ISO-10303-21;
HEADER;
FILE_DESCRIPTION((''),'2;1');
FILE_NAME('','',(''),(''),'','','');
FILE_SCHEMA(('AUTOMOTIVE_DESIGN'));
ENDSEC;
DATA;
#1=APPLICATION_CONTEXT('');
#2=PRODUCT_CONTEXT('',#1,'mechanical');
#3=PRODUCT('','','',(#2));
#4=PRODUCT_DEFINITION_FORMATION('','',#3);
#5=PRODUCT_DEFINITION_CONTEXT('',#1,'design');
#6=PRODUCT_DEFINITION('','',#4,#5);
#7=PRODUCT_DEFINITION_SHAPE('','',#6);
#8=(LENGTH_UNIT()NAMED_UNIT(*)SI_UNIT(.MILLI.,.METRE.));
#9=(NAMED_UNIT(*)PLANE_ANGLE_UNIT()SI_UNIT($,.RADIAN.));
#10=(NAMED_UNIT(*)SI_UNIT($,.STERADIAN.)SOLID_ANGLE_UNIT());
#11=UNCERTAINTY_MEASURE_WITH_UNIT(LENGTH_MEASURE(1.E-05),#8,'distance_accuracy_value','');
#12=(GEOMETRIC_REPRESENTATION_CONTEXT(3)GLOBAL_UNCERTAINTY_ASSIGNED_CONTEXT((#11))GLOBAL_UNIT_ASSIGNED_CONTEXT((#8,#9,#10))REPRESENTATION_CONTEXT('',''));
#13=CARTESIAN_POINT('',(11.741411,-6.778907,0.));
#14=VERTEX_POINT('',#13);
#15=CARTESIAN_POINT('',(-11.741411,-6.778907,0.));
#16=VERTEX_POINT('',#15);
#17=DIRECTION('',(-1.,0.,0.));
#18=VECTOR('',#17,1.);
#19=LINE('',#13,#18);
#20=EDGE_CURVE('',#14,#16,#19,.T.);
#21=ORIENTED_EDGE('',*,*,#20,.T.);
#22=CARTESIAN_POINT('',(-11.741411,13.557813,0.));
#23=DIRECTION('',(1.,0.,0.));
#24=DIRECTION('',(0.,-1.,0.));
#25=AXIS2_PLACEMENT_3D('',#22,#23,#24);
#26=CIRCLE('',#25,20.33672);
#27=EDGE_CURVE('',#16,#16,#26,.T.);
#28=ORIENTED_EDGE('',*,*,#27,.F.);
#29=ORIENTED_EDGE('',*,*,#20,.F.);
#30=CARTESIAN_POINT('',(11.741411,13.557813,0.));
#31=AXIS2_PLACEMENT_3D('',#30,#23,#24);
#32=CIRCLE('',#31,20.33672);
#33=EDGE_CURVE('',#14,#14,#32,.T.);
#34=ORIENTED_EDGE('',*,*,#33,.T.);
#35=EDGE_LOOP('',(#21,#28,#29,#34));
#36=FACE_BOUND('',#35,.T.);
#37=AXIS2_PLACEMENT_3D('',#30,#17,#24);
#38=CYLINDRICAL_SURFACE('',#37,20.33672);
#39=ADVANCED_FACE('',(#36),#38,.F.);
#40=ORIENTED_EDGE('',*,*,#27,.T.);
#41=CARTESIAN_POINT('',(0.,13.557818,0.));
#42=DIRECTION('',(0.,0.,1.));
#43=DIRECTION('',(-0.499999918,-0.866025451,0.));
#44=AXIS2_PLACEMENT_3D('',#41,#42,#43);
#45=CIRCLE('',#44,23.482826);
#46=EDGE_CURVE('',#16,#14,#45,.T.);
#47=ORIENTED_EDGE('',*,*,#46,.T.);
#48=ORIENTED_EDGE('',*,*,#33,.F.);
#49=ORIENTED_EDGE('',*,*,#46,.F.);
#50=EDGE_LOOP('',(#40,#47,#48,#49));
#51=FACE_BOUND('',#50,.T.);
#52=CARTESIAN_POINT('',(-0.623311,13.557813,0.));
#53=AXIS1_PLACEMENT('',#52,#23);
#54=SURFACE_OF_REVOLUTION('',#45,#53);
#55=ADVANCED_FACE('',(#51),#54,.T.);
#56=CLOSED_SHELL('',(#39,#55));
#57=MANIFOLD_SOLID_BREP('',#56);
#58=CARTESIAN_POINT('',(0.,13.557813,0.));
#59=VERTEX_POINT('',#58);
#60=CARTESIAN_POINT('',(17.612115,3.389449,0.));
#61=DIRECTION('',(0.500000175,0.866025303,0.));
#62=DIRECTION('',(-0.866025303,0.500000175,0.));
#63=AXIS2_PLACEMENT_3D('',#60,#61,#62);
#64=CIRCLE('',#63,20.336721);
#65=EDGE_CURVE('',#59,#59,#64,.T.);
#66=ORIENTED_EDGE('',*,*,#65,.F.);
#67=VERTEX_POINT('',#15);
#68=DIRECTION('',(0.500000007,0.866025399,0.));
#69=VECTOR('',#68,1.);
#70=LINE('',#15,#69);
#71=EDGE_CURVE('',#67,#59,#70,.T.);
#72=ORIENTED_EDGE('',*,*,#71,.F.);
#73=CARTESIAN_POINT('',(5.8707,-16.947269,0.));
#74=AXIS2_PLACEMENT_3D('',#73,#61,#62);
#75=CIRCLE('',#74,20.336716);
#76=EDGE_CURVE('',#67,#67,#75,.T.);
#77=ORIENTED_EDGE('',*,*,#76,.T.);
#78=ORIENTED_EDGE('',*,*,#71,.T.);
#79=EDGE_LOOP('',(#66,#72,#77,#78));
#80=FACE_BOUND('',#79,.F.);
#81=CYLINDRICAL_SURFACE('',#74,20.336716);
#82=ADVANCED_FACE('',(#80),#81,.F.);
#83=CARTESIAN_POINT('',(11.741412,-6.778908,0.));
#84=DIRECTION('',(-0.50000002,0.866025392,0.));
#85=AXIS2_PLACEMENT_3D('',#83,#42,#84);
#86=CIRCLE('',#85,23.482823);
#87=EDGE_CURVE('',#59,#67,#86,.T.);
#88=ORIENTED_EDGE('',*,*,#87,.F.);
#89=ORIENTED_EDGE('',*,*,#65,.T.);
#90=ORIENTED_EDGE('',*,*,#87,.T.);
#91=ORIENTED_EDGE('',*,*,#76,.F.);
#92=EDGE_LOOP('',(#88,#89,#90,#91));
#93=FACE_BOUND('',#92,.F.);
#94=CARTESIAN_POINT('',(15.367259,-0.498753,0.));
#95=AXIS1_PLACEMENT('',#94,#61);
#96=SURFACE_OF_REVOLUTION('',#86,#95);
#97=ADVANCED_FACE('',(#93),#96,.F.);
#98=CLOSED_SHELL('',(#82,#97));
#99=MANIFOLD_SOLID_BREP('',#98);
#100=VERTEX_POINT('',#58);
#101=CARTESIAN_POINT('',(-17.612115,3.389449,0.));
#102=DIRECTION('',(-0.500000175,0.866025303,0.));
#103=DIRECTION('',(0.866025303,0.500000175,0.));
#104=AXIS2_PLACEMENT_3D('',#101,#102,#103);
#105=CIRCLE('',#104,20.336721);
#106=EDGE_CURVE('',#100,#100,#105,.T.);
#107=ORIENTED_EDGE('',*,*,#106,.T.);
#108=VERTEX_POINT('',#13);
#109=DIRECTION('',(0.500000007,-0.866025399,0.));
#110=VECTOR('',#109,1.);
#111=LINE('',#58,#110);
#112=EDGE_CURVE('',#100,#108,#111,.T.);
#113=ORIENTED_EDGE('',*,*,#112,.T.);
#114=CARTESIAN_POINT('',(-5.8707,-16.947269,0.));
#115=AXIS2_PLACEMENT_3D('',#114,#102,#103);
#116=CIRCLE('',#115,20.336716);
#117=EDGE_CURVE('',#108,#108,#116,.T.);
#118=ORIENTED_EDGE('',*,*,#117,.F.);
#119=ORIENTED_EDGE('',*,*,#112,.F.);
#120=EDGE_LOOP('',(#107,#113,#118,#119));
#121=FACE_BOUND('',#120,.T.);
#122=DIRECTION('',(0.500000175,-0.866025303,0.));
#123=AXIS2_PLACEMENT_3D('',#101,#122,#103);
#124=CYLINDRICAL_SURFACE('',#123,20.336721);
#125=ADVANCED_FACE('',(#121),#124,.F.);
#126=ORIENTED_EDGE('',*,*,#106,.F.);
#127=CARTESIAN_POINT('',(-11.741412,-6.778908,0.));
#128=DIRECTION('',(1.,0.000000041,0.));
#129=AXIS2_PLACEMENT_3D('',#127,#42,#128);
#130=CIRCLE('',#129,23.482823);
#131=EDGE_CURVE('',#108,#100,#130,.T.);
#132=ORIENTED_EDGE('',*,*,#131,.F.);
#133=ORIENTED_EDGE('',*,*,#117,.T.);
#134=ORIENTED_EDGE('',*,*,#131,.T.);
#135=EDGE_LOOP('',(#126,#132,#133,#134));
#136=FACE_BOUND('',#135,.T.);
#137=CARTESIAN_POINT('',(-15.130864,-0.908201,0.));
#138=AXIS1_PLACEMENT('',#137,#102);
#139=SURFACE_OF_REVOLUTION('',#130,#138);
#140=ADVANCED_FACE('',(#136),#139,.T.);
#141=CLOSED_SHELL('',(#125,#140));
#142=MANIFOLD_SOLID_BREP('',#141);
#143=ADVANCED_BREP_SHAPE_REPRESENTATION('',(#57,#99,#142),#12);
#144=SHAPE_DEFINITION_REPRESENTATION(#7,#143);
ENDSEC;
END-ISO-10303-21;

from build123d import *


with BuildPart() as f1:
    # F0 (on Top) → F1 (revolve)
    with BuildSketch(Plane.XY):
        with BuildLine():
            Line((11.741411, -6.778907), (-11.741411, -6.778907))
            ThreePointArc((-11.741411, -6.778907), (0, -9.925008), (11.741411, -6.778907))
        make_face()
    revolve(axis=Axis((-0.623311, 13.557813, 0), (1, 0, 0)))


with BuildPart() as f2:
    # F0 (on Top) → F2 (revolve)
    with BuildSketch(Plane.XY):
        with BuildLine():
            Line((-11.741411, -6.778907), (0, 13.557813))
            ThreePointArc((0, 13.557813), (-8.595309, 4.962504), (-11.741411, -6.778907))
        make_face()
    revolve(axis=Axis((15.367259, -0.498753, 0), (0.5, 0.866025, 0)))


with BuildPart() as f3:
    # F0 (on Top) → F3 (revolve)
    with BuildSketch(Plane.XY):
        with BuildLine():
            ThreePointArc((11.741411, -6.778907), (8.595309, 4.962504), (0, 13.557813))
            Line((0, 13.557813), (11.741411, -6.778907))
        make_face()
    revolve(axis=Axis((-15.130864, -0.908201, 0), (-0.5, 0.866025, 0)))


solid = Compound([f1.part, f2.part, f3.part])
